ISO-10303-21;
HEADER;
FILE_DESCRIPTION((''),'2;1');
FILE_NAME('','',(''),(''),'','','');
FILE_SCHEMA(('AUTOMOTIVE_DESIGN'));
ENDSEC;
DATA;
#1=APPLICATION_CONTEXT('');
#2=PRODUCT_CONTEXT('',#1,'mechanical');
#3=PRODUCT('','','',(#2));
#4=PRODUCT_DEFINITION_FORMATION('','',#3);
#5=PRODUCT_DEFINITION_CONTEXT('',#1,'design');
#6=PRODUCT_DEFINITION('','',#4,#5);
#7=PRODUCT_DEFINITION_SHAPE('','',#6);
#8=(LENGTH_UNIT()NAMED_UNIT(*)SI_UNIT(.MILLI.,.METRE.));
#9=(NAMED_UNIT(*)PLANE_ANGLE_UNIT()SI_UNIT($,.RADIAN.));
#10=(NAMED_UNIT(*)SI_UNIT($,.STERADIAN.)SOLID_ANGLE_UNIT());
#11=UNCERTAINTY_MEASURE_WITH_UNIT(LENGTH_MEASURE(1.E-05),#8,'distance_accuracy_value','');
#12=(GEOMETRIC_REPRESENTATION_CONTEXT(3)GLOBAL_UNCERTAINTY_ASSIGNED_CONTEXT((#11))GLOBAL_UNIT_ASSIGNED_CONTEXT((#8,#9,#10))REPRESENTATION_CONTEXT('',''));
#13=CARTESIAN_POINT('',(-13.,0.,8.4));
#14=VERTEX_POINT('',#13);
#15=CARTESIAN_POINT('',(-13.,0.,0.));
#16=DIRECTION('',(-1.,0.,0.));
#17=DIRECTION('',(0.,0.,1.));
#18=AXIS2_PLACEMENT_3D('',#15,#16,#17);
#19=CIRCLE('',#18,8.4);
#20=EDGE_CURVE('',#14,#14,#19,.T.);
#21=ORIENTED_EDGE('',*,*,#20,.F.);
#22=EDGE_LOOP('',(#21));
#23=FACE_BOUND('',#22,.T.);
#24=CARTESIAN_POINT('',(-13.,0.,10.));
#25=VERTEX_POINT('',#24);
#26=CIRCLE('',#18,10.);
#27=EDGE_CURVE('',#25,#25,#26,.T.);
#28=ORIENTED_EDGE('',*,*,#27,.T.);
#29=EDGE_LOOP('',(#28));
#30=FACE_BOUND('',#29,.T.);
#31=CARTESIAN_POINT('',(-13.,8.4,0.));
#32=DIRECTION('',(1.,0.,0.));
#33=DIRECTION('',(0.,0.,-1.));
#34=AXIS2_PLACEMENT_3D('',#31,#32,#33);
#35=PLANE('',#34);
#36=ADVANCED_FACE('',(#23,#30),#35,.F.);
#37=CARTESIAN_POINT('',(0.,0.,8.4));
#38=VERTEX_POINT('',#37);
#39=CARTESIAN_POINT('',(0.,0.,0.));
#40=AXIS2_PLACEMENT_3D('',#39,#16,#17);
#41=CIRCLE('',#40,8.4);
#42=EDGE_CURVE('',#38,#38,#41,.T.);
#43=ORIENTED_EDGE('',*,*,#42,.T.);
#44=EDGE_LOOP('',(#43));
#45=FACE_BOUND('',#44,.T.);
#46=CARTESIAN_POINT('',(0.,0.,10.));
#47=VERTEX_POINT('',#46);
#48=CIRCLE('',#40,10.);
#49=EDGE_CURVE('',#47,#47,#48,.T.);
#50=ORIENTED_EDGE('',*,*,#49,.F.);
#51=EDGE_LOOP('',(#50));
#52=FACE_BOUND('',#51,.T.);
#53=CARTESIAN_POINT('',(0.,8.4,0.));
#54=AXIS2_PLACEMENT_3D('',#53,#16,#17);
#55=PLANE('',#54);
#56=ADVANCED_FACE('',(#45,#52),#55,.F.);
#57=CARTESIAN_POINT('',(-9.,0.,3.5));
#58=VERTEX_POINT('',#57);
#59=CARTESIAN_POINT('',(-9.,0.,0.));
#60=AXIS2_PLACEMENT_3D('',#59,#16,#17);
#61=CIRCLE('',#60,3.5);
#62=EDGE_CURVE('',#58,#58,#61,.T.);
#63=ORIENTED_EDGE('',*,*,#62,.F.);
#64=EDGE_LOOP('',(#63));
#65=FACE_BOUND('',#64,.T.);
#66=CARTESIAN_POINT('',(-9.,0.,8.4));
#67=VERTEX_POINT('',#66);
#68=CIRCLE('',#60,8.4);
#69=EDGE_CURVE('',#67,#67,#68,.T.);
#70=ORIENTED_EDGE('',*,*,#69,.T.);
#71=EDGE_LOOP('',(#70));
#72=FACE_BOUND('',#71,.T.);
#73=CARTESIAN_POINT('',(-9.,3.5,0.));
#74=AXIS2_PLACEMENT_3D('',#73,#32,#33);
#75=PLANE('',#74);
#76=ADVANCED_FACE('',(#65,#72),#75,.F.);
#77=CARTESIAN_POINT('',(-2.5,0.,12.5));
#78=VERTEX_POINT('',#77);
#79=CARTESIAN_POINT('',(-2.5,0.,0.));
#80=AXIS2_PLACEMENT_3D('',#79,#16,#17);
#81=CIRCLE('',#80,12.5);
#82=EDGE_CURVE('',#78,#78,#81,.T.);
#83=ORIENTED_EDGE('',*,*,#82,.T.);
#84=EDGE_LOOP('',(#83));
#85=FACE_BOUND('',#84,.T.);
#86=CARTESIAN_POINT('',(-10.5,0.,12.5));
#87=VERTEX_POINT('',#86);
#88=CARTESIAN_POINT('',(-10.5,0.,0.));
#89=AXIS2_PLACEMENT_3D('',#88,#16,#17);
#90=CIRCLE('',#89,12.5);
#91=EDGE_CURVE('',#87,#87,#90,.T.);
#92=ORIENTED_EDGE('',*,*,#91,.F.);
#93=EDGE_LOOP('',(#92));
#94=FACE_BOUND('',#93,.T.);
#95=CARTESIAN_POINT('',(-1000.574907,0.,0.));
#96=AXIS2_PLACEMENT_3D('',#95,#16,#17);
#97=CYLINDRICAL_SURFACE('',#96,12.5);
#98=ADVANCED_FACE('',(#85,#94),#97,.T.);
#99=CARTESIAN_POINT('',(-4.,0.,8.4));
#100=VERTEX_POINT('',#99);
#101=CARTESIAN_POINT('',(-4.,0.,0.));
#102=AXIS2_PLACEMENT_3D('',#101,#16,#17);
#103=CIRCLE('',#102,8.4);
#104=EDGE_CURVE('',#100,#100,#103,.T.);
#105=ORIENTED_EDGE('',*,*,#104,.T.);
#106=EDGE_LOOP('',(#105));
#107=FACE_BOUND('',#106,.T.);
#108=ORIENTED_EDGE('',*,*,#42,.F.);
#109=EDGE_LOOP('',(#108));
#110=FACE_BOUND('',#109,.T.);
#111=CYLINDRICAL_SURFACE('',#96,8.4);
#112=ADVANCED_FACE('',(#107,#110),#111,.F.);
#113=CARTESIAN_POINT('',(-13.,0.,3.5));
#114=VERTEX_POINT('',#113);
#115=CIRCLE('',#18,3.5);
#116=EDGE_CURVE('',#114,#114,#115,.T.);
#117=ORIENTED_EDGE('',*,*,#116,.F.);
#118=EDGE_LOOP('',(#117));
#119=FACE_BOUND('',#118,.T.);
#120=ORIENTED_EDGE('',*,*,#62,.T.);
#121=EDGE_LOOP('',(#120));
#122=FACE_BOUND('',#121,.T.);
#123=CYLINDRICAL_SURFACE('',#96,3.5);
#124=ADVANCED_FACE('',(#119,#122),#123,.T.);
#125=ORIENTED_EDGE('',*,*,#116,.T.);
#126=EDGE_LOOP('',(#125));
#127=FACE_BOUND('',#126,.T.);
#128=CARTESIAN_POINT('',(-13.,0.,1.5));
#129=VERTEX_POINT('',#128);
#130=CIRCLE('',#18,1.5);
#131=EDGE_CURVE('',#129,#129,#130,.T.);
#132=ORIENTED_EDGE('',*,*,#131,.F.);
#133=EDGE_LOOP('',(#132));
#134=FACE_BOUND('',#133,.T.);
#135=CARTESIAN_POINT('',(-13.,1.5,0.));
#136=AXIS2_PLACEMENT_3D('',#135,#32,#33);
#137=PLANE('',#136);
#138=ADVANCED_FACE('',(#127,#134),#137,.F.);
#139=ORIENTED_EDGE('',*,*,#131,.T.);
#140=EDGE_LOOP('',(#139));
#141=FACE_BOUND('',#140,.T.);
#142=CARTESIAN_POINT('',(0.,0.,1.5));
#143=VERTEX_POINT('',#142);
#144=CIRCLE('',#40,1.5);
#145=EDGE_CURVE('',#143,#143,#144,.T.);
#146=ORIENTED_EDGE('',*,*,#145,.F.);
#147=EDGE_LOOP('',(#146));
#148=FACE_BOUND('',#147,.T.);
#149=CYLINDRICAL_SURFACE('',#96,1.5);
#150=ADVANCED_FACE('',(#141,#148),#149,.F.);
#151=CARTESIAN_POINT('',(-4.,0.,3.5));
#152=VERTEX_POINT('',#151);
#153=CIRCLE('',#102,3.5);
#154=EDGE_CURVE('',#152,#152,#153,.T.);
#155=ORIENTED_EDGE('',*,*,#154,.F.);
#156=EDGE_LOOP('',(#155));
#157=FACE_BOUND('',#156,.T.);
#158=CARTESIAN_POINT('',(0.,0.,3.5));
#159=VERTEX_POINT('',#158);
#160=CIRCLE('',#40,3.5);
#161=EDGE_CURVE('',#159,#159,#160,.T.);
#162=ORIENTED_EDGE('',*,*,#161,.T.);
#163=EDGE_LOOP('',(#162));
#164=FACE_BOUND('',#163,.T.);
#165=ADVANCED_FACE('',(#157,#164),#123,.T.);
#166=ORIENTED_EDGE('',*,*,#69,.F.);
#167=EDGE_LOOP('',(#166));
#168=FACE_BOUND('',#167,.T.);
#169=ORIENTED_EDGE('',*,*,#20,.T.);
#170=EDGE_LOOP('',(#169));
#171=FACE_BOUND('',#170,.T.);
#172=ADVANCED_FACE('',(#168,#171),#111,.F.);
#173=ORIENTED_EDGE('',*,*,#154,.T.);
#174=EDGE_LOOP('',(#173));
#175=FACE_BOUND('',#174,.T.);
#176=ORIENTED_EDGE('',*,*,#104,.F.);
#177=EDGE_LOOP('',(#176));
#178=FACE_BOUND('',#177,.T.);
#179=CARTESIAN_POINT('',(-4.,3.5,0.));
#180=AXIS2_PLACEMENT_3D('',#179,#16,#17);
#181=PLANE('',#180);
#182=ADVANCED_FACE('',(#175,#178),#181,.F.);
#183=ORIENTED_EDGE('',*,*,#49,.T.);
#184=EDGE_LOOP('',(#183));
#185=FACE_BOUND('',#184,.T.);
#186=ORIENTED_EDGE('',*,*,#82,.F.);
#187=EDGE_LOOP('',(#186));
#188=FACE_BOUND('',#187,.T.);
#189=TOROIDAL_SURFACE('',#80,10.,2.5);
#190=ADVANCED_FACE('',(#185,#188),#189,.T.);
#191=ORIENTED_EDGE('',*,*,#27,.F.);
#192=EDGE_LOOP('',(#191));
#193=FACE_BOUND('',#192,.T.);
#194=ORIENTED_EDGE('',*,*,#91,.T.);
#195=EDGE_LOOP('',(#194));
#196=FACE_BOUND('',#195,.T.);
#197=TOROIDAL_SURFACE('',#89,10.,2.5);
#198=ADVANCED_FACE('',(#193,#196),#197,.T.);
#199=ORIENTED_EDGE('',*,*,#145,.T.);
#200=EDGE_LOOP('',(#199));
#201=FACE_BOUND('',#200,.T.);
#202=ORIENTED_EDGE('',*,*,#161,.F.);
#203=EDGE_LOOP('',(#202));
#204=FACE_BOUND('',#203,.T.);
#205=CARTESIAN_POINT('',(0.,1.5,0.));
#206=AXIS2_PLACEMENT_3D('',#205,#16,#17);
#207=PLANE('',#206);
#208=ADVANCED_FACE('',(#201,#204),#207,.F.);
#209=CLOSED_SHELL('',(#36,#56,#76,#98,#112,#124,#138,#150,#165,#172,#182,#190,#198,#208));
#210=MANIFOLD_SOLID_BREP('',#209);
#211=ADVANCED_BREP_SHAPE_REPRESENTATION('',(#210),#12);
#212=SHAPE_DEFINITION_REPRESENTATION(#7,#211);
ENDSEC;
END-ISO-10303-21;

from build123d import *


with BuildPart() as part:
    # Sketch1 → Revolve1 (revolve)
    with BuildSketch(Plane.XY, mode=Mode.PRIVATE) as revolve1_sk:
        with BuildLine():
            Line((0, 1.5), (0, 3.5))
            Line((0, 3.5), (-4, 3.5))
            Line((-4, 3.5), (-4, 8.4))
            Line((-4, 8.4), (0, 8.4))
            Line((0, 8.4), (0, 10))
            ThreePointArc((0, 10), (-0.732233047, 11.767766953), (-2.5, 12.5))
            Line((-2.5, 12.5), (-10.5, 12.5))
            ThreePointArc((-10.5, 12.5), (-12.267766953, 11.767766953), (-13, 10))
            Line((-13, 10), (-13, 8.4))
            Line((-13, 8.4), (-9, 8.4))
            Line((-9, 8.4), (-9, 3.5))
            Line((-9, 3.5), (-13, 3.5))
            Line((-13, 3.5), (-13, 1.5))
            Line((-13, 1.5), (0, 1.5))
        make_face()
    revolve(revolve1_sk.sketch.rotate(Axis((-1000.574907176, 0, 0), (1, 0, 0)), 90), axis=Axis((-1000.574907176, 0, 0), (1, 0, 0)))


solid = part.part
